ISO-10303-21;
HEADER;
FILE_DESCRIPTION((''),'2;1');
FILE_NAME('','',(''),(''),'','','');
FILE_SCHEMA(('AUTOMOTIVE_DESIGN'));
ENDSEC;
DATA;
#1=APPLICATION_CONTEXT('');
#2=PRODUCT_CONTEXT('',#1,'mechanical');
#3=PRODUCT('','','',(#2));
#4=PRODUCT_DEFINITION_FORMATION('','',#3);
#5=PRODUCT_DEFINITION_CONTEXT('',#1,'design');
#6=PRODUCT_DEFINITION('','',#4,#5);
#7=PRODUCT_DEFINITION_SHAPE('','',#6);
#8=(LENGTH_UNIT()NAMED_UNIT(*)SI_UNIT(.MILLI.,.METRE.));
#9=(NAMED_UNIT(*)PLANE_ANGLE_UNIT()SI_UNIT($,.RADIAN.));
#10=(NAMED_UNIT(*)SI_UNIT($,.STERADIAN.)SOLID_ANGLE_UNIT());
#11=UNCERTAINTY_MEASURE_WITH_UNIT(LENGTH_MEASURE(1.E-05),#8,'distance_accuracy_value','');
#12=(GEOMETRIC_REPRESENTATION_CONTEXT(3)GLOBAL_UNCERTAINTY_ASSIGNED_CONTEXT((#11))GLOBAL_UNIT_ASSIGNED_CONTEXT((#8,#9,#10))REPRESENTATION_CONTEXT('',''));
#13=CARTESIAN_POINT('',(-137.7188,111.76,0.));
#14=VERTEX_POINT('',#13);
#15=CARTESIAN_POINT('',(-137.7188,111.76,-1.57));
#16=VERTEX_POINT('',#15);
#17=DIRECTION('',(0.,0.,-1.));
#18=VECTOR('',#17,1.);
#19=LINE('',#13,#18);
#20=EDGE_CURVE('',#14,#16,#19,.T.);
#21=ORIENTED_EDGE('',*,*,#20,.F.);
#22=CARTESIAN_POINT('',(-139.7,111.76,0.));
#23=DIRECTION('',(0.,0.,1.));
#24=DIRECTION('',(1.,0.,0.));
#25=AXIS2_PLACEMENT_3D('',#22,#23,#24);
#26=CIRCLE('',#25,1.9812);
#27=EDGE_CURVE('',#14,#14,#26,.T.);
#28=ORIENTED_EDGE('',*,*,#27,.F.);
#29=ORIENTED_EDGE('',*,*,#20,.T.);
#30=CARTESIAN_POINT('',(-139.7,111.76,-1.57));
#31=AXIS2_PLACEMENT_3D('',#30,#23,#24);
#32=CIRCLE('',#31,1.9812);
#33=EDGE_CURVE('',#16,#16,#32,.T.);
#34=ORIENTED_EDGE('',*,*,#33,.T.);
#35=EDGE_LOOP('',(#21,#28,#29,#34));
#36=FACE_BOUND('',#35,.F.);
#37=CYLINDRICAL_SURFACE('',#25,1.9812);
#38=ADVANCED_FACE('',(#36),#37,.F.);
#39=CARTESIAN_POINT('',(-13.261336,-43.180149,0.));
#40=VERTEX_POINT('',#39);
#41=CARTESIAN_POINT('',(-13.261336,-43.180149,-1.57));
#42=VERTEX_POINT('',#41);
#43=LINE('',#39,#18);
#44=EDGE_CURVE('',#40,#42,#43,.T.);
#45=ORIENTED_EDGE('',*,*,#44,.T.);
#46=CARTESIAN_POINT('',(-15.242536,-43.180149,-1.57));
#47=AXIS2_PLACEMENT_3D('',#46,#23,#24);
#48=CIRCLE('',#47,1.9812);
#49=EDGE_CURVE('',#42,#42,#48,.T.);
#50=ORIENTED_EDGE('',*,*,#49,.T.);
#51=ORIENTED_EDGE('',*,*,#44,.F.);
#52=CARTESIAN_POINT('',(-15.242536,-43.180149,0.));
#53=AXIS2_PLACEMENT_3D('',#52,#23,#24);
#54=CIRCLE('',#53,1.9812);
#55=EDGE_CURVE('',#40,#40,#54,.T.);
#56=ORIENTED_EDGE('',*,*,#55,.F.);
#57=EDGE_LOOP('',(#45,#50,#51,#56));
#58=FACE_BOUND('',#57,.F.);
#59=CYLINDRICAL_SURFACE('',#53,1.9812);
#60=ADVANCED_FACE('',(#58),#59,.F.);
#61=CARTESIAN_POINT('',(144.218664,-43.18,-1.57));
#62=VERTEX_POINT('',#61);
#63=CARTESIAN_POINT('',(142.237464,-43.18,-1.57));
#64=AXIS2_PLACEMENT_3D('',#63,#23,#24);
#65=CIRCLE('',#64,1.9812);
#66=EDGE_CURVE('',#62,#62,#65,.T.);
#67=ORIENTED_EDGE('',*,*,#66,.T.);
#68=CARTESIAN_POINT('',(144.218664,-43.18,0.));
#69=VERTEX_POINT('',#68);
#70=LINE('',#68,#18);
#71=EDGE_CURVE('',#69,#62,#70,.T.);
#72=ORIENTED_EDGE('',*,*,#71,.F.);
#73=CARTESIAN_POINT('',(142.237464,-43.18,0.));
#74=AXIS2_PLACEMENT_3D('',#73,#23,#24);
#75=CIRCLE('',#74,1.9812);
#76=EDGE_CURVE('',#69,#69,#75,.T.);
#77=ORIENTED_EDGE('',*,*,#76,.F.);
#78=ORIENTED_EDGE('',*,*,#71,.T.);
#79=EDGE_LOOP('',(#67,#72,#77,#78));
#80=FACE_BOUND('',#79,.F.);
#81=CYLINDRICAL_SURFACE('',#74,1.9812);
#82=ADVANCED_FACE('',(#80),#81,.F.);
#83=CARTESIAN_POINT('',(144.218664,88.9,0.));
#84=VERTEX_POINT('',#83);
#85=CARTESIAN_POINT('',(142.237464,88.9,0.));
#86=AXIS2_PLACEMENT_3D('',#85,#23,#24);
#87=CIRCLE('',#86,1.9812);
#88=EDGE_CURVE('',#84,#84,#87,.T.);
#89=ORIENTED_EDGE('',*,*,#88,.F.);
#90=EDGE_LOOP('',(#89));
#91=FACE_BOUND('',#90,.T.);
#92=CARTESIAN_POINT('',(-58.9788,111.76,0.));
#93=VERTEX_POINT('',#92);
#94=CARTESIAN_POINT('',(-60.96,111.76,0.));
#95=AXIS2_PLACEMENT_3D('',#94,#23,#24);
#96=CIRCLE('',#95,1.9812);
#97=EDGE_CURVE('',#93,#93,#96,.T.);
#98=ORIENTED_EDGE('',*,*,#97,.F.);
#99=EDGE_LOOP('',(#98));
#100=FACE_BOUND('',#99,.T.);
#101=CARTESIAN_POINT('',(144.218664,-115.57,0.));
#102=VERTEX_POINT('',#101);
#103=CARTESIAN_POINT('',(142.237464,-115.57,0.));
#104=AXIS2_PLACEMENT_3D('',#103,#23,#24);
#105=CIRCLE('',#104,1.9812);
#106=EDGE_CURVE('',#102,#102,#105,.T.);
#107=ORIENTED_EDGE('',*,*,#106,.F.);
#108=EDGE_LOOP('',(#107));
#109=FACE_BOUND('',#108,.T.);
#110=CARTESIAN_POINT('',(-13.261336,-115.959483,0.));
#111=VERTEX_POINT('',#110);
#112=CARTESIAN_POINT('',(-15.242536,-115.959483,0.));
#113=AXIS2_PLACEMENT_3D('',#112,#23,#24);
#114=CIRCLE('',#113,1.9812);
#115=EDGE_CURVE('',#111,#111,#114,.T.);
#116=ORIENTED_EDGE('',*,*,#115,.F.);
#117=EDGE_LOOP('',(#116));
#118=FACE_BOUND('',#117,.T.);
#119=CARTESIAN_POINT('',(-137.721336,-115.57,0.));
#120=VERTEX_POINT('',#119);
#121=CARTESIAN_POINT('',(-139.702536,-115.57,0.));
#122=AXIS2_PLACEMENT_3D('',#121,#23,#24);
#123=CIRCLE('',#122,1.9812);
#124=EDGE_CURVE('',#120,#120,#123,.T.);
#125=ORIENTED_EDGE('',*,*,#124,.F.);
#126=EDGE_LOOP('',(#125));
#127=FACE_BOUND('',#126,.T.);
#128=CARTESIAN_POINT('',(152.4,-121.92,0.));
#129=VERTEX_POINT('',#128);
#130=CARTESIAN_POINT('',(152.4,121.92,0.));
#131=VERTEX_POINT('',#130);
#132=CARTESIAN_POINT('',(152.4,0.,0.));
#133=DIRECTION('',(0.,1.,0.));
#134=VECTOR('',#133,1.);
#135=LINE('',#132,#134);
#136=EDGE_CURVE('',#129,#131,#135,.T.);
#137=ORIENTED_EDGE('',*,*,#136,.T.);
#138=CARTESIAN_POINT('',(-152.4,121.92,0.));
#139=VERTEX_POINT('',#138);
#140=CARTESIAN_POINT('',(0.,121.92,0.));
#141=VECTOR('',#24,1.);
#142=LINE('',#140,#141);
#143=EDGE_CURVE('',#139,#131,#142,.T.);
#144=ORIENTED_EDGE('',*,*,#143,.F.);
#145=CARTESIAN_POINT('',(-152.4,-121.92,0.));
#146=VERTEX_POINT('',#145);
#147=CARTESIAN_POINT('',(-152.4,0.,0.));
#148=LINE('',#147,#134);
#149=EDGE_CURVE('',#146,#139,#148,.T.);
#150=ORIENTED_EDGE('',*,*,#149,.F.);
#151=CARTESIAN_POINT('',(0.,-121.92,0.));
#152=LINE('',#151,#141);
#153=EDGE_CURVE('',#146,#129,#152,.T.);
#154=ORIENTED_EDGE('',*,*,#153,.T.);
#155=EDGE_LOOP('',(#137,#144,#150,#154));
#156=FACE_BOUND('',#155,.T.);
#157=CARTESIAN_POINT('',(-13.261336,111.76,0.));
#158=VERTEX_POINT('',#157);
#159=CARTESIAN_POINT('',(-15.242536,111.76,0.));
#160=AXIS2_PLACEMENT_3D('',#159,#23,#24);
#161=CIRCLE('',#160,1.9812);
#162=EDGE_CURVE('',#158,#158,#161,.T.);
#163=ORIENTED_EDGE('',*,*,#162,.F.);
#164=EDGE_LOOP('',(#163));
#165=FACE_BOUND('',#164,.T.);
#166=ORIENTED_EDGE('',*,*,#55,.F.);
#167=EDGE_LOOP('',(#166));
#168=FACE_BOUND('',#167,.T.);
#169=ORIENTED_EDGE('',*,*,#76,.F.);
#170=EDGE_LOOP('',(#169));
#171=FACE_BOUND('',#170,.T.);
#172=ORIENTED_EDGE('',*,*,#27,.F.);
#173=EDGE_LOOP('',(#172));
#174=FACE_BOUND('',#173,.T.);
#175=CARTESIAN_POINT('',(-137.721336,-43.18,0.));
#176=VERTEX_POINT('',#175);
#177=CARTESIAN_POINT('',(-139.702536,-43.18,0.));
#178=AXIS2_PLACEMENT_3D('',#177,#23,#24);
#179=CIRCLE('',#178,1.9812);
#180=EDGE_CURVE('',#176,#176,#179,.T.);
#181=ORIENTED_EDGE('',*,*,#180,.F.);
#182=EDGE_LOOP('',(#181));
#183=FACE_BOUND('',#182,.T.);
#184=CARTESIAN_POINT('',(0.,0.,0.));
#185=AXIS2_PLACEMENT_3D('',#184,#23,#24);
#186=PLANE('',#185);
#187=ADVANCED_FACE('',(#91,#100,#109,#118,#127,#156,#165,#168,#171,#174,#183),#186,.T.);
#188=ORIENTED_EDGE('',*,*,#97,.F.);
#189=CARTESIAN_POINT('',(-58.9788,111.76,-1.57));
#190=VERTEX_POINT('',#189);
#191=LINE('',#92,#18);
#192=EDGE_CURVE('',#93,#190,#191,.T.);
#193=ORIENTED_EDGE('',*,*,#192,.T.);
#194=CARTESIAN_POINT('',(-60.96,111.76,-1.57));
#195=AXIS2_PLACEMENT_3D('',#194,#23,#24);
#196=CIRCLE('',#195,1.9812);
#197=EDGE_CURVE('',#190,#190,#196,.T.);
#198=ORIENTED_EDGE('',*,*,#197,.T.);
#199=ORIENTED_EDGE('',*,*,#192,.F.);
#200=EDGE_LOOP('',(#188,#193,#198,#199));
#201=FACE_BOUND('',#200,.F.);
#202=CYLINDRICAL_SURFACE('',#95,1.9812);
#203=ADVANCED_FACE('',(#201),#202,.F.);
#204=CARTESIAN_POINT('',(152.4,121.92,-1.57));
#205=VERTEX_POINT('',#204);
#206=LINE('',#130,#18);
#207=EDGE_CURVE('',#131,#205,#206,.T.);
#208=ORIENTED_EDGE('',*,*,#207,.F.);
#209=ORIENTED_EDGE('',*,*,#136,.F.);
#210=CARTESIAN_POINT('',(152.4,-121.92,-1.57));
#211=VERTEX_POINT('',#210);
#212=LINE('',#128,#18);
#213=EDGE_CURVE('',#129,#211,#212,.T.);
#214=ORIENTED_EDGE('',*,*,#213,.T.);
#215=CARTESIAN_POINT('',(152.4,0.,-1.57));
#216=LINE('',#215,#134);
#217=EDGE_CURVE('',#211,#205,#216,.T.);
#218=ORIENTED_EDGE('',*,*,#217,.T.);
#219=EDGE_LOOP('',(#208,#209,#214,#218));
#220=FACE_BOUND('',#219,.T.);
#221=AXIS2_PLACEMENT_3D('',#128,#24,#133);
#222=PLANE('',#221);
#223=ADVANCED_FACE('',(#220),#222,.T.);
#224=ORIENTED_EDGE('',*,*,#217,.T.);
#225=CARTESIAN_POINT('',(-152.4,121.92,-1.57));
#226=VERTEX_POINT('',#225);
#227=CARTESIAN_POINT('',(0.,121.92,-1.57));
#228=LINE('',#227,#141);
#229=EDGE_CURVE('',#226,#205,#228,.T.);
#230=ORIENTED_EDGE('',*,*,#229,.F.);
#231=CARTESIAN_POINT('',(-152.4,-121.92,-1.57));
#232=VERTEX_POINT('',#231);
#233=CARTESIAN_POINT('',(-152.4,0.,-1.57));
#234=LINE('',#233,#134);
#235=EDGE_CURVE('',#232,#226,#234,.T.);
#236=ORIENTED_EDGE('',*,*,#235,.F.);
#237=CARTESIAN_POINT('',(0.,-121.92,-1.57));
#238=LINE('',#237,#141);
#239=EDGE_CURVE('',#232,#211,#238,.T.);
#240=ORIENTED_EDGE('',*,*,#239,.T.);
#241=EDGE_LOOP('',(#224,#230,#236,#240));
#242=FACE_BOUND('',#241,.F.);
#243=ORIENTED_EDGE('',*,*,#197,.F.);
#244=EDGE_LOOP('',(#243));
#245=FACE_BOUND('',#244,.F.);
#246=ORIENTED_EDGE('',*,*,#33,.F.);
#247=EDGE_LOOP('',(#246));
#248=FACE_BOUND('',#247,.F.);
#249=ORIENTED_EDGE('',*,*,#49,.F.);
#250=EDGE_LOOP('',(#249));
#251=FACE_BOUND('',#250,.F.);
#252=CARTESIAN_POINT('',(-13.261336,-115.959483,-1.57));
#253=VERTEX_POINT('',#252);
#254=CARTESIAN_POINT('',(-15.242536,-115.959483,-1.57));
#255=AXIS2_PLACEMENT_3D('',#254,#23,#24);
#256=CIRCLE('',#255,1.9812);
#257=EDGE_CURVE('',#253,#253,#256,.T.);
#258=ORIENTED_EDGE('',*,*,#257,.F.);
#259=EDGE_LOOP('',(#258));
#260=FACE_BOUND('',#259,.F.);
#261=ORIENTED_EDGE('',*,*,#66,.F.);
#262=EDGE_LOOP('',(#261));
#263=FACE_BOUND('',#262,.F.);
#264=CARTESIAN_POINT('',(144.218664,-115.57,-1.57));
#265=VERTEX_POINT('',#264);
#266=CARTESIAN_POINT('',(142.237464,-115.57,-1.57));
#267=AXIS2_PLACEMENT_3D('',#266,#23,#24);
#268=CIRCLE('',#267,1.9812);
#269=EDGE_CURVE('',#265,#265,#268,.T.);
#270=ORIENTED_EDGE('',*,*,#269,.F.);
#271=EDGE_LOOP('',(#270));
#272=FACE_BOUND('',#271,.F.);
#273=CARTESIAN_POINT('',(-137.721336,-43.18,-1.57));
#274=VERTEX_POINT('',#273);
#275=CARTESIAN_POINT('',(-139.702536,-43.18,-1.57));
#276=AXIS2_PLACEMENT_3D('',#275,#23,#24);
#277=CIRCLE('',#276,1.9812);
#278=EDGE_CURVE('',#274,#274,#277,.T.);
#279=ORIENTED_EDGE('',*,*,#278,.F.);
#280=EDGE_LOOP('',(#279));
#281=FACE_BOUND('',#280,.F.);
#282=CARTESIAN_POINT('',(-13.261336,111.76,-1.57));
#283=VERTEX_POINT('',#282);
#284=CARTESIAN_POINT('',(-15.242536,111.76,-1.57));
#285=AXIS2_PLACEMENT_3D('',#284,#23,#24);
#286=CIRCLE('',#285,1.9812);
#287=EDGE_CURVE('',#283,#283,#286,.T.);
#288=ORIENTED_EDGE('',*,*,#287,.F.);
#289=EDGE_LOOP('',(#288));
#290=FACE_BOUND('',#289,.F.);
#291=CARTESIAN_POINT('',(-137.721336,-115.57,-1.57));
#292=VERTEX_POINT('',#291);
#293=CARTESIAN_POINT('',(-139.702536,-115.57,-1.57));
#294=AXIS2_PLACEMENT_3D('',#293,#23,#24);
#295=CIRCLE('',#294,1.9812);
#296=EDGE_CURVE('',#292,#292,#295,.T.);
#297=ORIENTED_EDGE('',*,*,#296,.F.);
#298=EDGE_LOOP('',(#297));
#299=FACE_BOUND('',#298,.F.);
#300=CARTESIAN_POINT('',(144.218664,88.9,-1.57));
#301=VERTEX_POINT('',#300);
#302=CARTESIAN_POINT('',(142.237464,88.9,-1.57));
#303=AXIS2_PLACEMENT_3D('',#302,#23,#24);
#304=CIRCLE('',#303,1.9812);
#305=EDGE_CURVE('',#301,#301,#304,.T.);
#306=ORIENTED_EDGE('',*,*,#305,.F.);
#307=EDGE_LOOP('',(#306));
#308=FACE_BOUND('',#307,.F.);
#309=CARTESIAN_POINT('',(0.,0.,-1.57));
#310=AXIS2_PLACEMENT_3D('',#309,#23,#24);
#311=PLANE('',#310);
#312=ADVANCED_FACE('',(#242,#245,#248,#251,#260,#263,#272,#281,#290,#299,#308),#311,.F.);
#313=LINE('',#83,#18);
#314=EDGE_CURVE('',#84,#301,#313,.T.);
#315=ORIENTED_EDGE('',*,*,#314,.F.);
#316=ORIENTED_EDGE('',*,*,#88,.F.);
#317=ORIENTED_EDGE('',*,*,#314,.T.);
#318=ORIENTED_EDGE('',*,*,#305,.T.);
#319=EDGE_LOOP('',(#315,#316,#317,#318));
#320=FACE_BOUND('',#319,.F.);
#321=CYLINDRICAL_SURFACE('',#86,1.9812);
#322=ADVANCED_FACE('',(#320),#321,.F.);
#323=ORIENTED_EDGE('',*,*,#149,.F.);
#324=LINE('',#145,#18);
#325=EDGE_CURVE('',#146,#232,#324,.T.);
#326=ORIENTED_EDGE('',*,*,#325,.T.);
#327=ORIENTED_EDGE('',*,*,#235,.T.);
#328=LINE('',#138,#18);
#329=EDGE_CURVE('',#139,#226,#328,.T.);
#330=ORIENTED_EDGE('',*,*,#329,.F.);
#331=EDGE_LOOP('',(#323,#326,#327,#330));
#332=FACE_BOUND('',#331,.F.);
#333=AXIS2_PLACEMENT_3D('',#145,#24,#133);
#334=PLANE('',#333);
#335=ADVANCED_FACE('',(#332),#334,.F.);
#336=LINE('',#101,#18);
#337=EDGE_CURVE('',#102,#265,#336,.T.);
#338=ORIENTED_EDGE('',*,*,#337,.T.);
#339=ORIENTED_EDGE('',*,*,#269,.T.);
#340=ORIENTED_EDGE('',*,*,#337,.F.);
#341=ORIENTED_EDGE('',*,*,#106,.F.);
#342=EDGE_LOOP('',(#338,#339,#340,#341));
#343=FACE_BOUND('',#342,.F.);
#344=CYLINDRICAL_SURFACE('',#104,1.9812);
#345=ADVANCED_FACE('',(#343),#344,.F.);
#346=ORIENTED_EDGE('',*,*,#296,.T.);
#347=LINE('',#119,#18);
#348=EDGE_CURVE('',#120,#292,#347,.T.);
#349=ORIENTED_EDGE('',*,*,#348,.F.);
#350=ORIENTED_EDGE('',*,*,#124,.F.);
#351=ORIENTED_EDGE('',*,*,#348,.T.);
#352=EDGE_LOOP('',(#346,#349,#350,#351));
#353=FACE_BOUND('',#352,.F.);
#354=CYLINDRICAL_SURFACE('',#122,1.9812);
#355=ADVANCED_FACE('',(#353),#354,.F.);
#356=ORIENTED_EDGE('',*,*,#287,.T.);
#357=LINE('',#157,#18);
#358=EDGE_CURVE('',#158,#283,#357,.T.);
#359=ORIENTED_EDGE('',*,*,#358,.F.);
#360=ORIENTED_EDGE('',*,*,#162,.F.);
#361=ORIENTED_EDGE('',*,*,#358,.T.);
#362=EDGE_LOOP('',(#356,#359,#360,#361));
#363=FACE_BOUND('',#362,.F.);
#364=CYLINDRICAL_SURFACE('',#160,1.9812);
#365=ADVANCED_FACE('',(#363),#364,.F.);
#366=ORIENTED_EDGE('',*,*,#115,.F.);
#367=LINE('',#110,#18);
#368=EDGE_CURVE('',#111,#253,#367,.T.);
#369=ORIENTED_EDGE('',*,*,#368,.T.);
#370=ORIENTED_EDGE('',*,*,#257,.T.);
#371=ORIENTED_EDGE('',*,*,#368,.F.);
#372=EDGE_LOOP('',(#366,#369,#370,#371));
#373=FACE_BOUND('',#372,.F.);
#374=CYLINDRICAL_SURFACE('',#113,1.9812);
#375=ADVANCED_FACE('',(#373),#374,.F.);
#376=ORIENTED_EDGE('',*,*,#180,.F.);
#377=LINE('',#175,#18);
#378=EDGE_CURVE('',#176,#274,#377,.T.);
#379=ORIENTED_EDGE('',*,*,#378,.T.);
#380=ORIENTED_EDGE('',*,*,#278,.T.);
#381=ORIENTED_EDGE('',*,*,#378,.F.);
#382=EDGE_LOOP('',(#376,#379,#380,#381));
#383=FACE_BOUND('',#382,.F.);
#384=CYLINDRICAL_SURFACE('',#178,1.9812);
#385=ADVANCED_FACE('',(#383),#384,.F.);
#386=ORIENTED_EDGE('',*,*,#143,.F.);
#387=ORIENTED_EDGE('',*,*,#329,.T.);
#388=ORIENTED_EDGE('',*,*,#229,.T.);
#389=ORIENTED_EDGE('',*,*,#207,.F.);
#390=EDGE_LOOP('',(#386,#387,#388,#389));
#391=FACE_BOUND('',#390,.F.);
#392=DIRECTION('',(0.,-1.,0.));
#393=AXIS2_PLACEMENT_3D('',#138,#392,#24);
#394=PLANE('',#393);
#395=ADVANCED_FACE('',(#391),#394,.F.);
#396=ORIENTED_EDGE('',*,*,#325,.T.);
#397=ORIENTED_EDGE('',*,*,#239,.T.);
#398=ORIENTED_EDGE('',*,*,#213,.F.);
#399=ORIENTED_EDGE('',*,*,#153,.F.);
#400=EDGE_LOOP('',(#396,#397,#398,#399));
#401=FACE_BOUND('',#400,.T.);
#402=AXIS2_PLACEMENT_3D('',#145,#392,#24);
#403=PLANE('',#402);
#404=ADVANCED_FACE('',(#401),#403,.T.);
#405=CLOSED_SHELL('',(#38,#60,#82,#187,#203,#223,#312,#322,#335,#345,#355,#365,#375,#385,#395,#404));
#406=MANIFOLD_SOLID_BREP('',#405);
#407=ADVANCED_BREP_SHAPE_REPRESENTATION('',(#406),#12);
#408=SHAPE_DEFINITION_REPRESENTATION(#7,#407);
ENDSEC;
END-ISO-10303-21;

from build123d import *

# Parameters (mm, degrees)
F0_W     = 304.8
F0_H     = 243.84
F0_R     = 1.9812
F1_DEPTH = 1.57


with BuildPart() as f1:
    # F0 (on Top) → F1 (new body)
    with BuildSketch(Plane.XY):
        Rectangle(F0_W, F0_H)
        with Locations((-139.702536, -115.57)):
            Circle(F0_R, mode=Mode.SUBTRACT)
        with Locations((-15.242536, -115.959483)):
            Circle(F0_R, mode=Mode.SUBTRACT)
        with Locations((-139.702536, -43.18)):
            Circle(F0_R, mode=Mode.SUBTRACT)
        with Locations((-15.242536, -43.180149)):
            Circle(F0_R, mode=Mode.SUBTRACT)
        with Locations((142.237464, -115.57)):
            Circle(F0_R, mode=Mode.SUBTRACT)
        with Locations((142.237464, -43.18)):
            Circle(F0_R, mode=Mode.SUBTRACT)
        with Locations((-139.7, 111.76)):
            Circle(F0_R, mode=Mode.SUBTRACT)
        with Locations((-60.96, 111.76)):
            Circle(F0_R, mode=Mode.SUBTRACT)
        with Locations((-15.242536, 111.76)):
            Circle(F0_R, mode=Mode.SUBTRACT)
        with Locations((142.237464, 88.9)):
            Circle(F0_R, mode=Mode.SUBTRACT)
    extrude(amount=-F1_DEPTH)


solid = f1.part
